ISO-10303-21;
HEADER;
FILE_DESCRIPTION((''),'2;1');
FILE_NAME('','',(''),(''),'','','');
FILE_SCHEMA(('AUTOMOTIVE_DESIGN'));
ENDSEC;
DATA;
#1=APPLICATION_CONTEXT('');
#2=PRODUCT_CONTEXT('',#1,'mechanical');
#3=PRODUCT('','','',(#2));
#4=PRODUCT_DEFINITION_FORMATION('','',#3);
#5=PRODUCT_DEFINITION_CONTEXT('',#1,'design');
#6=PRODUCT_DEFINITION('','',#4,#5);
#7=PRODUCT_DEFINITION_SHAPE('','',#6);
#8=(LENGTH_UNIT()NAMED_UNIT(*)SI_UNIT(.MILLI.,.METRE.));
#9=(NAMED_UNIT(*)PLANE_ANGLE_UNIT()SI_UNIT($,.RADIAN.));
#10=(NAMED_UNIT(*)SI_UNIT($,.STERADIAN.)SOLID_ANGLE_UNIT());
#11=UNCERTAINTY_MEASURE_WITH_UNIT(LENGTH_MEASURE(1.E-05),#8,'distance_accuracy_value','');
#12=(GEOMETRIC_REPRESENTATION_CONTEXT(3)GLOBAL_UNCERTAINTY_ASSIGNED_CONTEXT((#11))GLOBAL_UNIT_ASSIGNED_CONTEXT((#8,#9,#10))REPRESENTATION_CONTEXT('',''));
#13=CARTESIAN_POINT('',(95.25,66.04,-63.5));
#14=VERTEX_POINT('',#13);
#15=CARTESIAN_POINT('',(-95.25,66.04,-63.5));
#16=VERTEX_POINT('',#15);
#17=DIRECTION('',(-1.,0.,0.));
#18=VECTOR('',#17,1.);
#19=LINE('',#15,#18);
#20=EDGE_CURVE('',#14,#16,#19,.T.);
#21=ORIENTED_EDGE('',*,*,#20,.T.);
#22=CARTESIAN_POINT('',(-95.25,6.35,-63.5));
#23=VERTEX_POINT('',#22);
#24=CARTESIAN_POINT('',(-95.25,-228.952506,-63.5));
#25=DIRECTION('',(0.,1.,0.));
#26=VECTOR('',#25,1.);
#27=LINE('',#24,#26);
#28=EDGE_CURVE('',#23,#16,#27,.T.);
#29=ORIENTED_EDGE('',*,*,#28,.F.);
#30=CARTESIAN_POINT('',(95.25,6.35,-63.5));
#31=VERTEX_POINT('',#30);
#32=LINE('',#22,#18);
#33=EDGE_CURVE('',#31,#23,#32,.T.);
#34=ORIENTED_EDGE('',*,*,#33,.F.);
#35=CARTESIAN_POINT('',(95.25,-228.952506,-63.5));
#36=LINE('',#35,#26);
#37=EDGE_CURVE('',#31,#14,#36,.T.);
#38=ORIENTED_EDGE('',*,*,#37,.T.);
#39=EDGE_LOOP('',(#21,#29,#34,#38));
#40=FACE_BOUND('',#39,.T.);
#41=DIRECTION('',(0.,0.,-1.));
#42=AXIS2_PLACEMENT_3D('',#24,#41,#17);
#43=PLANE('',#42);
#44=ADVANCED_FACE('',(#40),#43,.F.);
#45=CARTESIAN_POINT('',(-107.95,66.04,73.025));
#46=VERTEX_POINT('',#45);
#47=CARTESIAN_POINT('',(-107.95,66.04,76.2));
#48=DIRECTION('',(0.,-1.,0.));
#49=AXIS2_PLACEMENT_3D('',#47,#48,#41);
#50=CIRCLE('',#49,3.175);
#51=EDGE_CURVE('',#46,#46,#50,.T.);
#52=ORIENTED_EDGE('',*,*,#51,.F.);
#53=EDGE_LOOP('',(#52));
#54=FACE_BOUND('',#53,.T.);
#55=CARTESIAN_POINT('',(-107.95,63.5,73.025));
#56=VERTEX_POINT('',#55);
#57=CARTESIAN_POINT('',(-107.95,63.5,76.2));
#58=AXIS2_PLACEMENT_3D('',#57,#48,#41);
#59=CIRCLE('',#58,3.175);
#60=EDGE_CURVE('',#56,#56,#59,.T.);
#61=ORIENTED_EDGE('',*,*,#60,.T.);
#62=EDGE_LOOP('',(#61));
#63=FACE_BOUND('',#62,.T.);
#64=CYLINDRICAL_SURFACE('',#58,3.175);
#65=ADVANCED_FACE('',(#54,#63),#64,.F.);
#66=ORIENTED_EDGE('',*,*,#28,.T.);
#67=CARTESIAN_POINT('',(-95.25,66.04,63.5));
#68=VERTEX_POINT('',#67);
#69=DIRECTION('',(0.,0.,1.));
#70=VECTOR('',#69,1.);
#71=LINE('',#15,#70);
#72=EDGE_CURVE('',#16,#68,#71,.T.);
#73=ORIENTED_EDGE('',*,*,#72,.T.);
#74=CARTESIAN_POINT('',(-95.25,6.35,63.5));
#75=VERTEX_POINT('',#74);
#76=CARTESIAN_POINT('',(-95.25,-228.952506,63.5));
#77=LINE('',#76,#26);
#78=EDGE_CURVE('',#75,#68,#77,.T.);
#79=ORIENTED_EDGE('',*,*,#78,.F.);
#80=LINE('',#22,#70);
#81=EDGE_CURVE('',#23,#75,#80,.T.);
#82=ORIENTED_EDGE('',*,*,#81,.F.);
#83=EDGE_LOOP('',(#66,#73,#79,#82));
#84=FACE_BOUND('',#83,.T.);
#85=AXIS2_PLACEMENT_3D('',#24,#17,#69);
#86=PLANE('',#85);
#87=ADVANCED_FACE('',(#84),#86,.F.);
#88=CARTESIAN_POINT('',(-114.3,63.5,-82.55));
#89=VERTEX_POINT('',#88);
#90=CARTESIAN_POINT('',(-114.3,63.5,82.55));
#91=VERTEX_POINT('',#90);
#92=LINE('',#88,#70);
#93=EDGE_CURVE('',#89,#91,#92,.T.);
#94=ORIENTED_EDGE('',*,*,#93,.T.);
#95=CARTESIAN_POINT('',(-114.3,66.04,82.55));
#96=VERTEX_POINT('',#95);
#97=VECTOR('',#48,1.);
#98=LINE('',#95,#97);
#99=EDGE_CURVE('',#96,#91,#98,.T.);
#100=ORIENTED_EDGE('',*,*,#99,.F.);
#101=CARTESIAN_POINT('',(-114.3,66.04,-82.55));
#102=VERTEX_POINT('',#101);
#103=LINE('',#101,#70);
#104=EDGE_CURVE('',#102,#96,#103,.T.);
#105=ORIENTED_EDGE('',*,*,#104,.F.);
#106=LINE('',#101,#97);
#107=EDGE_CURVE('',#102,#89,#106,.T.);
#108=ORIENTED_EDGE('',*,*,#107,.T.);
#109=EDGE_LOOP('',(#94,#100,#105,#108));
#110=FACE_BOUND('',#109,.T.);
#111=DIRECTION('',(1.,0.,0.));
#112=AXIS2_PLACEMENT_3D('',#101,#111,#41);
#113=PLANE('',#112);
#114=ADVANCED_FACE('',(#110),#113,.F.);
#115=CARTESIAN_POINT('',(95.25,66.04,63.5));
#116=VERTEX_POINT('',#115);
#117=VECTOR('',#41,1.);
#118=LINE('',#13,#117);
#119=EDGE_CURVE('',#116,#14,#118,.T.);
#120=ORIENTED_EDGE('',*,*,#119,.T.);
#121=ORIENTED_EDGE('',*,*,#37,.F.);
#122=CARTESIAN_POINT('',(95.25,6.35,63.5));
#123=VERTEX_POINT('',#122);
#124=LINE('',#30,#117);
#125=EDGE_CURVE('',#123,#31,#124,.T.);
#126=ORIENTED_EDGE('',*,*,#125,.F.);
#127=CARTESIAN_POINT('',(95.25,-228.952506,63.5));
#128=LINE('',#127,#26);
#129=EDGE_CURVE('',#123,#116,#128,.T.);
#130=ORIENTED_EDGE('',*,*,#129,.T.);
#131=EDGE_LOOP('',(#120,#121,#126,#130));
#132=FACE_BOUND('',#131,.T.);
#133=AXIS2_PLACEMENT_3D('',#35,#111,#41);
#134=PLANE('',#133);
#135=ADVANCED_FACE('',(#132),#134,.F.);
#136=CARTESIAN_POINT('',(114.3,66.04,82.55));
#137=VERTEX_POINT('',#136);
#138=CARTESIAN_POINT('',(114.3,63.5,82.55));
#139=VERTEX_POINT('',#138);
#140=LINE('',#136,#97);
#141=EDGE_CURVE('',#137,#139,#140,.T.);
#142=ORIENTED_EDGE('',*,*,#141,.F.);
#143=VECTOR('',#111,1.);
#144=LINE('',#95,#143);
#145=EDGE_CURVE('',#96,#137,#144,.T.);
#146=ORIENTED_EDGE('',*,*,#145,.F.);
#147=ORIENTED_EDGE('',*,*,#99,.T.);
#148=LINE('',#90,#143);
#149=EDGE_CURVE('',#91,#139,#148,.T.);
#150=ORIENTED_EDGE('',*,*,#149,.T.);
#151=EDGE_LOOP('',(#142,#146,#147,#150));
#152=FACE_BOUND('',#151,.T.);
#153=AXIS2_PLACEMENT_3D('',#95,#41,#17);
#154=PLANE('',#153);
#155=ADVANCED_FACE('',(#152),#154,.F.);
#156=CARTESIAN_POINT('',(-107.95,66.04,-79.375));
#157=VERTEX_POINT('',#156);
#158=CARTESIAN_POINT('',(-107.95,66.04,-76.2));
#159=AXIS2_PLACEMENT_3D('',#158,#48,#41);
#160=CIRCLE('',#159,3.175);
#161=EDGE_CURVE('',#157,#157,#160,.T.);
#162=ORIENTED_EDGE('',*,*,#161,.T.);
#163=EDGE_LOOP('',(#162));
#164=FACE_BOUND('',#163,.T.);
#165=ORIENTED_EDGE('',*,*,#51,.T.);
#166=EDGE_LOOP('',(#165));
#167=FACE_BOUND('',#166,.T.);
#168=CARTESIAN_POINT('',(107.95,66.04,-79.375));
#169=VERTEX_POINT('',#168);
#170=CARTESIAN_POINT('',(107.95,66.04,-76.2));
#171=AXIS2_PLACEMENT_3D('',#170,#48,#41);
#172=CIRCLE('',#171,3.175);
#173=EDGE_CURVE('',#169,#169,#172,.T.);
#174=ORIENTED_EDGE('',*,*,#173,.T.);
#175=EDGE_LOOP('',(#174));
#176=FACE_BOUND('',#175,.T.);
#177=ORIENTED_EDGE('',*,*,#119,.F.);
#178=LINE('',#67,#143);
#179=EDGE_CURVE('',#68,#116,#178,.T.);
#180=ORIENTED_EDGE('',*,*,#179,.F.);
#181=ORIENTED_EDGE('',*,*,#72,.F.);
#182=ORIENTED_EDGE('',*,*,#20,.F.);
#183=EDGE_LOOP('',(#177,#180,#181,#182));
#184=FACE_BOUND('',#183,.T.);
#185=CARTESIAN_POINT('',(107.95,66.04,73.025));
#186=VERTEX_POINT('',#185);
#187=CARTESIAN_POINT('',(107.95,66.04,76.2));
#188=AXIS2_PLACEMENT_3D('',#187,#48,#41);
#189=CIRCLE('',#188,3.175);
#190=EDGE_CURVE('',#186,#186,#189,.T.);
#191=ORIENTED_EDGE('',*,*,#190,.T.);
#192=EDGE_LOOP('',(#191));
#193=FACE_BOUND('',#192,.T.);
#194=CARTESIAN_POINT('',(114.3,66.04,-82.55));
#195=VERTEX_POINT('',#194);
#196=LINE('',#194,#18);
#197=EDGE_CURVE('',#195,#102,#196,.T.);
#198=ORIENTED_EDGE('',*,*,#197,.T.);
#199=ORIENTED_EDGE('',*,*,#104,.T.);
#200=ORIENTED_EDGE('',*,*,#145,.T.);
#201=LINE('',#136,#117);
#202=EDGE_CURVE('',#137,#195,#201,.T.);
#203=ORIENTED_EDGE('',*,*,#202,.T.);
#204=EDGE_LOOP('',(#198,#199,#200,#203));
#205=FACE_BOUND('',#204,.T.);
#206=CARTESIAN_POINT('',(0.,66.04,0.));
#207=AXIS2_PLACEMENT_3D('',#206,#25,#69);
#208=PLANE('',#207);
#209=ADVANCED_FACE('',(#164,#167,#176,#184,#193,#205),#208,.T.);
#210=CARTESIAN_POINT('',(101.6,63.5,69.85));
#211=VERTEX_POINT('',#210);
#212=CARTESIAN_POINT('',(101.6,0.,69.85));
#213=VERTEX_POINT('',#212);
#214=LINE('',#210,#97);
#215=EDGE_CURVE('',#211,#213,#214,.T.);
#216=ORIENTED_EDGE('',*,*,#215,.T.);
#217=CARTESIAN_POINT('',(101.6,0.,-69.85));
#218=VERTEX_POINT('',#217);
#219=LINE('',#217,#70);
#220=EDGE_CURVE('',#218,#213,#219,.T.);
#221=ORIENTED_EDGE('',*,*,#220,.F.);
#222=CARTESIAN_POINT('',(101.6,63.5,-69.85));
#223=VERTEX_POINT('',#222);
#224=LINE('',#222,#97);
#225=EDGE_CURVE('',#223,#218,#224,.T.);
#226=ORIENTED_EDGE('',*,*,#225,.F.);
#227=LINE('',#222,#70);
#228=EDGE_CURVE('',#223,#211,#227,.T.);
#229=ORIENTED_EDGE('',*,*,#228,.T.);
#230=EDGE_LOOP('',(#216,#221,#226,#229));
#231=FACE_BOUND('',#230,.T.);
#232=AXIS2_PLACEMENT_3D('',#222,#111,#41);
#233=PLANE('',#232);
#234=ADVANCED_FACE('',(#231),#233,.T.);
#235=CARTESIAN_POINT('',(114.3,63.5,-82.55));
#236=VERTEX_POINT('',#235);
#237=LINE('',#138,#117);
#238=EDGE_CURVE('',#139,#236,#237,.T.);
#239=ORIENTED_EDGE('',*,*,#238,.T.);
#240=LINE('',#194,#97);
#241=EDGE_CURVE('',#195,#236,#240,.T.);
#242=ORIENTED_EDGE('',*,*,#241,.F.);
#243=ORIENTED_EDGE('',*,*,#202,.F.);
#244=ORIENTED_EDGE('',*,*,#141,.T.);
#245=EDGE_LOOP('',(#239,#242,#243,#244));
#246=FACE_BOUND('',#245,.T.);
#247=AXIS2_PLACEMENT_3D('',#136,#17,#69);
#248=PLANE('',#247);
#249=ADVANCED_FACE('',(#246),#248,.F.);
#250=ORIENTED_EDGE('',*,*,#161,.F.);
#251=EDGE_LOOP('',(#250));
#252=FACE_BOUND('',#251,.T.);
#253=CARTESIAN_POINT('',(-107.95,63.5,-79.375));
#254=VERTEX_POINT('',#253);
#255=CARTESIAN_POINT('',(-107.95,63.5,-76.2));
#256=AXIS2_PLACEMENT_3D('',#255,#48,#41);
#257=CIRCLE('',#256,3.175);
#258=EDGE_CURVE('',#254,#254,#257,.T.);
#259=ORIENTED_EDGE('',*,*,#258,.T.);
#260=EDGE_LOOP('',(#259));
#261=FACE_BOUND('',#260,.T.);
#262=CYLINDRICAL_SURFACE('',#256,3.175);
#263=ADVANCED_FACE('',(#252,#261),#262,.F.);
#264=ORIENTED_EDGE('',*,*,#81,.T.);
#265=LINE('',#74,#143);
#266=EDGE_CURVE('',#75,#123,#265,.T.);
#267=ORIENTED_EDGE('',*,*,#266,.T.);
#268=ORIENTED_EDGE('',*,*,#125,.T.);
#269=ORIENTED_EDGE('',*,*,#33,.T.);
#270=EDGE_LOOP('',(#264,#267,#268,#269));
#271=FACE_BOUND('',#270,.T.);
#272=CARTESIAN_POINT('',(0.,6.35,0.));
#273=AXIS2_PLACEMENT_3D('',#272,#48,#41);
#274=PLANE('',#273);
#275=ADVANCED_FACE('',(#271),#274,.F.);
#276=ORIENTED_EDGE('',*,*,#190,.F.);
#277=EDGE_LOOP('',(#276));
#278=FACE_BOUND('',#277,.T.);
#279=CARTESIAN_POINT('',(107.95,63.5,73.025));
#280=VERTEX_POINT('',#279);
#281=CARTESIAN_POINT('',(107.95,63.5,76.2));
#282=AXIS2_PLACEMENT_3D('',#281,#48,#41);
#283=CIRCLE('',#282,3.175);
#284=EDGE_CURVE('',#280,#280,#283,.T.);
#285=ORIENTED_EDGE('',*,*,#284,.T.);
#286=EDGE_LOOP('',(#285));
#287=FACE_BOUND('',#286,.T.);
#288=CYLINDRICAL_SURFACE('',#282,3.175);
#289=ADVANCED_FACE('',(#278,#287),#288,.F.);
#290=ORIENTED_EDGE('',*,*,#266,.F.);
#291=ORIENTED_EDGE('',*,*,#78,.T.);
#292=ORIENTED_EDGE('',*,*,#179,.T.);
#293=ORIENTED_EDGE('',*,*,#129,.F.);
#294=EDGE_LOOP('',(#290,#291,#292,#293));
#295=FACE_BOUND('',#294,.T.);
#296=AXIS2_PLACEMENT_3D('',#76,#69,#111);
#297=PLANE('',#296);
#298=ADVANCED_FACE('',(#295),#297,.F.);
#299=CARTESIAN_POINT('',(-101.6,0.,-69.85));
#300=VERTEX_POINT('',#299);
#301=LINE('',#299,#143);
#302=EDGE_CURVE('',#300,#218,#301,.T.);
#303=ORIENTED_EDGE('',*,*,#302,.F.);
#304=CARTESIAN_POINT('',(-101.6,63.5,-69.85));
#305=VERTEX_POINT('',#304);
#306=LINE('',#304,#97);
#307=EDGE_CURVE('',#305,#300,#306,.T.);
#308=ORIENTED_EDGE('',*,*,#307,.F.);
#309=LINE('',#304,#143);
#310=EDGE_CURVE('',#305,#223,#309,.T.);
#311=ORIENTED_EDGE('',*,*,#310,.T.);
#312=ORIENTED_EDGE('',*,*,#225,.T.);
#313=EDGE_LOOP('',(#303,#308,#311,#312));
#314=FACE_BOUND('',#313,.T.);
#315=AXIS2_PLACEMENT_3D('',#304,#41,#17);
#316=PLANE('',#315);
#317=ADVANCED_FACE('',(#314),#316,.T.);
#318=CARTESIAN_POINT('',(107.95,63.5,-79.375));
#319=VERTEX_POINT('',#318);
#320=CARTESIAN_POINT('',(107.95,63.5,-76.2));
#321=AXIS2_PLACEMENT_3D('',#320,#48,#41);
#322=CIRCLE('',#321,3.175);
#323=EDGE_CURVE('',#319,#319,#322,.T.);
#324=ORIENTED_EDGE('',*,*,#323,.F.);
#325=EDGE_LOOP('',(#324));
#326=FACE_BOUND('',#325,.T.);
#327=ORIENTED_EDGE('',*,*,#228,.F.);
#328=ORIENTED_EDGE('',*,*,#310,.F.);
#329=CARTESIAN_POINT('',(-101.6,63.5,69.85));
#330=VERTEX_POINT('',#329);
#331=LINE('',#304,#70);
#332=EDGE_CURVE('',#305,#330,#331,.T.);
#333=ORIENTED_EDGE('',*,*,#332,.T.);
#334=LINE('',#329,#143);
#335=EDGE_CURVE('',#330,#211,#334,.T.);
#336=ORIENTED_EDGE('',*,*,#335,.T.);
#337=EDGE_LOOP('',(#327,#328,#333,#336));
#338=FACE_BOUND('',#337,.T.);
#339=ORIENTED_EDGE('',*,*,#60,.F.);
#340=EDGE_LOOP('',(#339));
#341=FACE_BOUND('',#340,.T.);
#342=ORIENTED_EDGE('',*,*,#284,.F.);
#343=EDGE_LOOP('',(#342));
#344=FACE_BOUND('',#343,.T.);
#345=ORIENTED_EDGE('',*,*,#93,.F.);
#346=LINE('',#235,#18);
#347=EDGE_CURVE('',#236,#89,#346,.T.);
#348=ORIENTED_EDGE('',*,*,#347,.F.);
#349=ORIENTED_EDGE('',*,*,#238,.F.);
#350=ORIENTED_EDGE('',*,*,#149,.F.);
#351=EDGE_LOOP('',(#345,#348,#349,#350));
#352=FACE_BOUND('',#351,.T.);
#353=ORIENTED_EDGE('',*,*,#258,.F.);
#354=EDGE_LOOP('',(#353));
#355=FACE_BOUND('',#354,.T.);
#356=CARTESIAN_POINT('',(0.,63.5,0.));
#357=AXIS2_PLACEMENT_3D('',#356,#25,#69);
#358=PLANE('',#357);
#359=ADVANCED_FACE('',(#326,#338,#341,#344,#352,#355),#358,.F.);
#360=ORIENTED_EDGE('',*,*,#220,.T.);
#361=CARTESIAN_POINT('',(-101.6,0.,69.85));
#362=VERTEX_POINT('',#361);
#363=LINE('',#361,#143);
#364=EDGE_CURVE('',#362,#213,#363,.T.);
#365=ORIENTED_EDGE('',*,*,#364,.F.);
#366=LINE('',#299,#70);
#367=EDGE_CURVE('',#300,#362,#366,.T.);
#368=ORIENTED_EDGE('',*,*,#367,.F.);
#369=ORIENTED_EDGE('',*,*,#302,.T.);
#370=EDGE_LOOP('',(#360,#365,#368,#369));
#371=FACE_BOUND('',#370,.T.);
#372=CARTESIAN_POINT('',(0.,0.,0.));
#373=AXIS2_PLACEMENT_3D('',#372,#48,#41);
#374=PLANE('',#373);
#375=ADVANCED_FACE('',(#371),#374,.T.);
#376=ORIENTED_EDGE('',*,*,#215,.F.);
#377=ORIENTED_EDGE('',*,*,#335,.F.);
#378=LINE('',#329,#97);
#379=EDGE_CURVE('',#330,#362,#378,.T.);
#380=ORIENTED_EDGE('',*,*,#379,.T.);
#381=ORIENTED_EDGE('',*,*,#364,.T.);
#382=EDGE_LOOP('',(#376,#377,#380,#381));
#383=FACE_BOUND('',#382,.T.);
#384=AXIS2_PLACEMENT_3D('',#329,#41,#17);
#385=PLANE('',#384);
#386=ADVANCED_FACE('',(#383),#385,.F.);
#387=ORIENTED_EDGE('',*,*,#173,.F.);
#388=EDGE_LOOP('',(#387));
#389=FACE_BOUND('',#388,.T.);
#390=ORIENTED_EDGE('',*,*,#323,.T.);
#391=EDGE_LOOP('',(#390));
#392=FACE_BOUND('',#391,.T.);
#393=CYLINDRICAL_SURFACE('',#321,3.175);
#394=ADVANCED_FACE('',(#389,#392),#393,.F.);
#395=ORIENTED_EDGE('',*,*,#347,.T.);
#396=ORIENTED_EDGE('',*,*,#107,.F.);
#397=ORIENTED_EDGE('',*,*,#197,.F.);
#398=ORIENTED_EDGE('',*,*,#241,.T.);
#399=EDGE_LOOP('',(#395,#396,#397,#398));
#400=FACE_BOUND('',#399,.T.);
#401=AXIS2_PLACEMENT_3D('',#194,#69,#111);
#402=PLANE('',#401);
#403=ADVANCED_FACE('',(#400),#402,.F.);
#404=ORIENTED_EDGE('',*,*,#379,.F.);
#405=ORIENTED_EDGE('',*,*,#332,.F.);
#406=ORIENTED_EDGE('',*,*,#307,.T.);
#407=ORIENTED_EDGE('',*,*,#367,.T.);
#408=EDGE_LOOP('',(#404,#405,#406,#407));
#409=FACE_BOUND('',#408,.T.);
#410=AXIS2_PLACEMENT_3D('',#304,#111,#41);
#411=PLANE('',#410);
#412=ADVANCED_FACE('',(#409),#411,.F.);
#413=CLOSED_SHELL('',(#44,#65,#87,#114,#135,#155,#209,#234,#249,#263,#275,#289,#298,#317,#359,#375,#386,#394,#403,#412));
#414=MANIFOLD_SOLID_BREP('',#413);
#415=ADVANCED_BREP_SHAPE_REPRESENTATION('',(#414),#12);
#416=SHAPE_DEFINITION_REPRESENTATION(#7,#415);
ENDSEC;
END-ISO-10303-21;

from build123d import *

# Parameters (mm, degrees)
SKETCH1_W                   = 203.2
SKETCH1_H                   = 139.7
BOSS_EXTRUDE2_DEPTH         = 63.5
SKETCH3_W                   = 228.6
SKETCH3_H                   = 165.1
BOSS_EXTRUDE3_DEPTH         = 2.54
F_1_4_0_25_DIAMETER_HOLE1_D = 6.35
SKETCH10_W                  = 190.5
SKETCH10_H                  = 127
CUT_EXTRUDE1_DEPTH          = 59.69


with BuildPart() as part:
    # Sketch1 → Boss-Extrude2 (new body)
    with BuildSketch(Plane(origin=(0, 0, 0), x_dir=(1, 0, 0), z_dir=(0, 1, 0))):
        Rectangle(SKETCH1_W, SKETCH1_H)
    extrude(amount=BOSS_EXTRUDE2_DEPTH)

    # Sketch3 → Boss-Extrude3 (add)
    with BuildSketch(Plane(origin=(0, 63.5, 0), x_dir=(1, 0, 0), z_dir=(0, 1, 0))):
        Rectangle(SKETCH3_W, SKETCH3_H)
    extrude(amount=BOSS_EXTRUDE3_DEPTH)

    # 1/4 (0.25) Diameter Hole1 (through all)
    with Locations(Plane(origin=(107.95, 63.5, -76.2), x_dir=(0, 0, -1), z_dir=(0, -1, 0))):
        with Locations((0, 0), (-152.4, 0), (0, -215.9), (-152.4, -215.9)):
            Hole(F_1_4_0_25_DIAMETER_HOLE1_D / 2)

    # Sketch10 → Cut-Extrude1 (cut)
    with BuildSketch(Plane(origin=(0, 66.04, 0), x_dir=(1, 0, 0), z_dir=(0, 1, 0))):
        Rectangle(SKETCH10_W, SKETCH10_H)
    extrude(amount=-CUT_EXTRUDE1_DEPTH, mode=Mode.SUBTRACT)


solid = part.part
